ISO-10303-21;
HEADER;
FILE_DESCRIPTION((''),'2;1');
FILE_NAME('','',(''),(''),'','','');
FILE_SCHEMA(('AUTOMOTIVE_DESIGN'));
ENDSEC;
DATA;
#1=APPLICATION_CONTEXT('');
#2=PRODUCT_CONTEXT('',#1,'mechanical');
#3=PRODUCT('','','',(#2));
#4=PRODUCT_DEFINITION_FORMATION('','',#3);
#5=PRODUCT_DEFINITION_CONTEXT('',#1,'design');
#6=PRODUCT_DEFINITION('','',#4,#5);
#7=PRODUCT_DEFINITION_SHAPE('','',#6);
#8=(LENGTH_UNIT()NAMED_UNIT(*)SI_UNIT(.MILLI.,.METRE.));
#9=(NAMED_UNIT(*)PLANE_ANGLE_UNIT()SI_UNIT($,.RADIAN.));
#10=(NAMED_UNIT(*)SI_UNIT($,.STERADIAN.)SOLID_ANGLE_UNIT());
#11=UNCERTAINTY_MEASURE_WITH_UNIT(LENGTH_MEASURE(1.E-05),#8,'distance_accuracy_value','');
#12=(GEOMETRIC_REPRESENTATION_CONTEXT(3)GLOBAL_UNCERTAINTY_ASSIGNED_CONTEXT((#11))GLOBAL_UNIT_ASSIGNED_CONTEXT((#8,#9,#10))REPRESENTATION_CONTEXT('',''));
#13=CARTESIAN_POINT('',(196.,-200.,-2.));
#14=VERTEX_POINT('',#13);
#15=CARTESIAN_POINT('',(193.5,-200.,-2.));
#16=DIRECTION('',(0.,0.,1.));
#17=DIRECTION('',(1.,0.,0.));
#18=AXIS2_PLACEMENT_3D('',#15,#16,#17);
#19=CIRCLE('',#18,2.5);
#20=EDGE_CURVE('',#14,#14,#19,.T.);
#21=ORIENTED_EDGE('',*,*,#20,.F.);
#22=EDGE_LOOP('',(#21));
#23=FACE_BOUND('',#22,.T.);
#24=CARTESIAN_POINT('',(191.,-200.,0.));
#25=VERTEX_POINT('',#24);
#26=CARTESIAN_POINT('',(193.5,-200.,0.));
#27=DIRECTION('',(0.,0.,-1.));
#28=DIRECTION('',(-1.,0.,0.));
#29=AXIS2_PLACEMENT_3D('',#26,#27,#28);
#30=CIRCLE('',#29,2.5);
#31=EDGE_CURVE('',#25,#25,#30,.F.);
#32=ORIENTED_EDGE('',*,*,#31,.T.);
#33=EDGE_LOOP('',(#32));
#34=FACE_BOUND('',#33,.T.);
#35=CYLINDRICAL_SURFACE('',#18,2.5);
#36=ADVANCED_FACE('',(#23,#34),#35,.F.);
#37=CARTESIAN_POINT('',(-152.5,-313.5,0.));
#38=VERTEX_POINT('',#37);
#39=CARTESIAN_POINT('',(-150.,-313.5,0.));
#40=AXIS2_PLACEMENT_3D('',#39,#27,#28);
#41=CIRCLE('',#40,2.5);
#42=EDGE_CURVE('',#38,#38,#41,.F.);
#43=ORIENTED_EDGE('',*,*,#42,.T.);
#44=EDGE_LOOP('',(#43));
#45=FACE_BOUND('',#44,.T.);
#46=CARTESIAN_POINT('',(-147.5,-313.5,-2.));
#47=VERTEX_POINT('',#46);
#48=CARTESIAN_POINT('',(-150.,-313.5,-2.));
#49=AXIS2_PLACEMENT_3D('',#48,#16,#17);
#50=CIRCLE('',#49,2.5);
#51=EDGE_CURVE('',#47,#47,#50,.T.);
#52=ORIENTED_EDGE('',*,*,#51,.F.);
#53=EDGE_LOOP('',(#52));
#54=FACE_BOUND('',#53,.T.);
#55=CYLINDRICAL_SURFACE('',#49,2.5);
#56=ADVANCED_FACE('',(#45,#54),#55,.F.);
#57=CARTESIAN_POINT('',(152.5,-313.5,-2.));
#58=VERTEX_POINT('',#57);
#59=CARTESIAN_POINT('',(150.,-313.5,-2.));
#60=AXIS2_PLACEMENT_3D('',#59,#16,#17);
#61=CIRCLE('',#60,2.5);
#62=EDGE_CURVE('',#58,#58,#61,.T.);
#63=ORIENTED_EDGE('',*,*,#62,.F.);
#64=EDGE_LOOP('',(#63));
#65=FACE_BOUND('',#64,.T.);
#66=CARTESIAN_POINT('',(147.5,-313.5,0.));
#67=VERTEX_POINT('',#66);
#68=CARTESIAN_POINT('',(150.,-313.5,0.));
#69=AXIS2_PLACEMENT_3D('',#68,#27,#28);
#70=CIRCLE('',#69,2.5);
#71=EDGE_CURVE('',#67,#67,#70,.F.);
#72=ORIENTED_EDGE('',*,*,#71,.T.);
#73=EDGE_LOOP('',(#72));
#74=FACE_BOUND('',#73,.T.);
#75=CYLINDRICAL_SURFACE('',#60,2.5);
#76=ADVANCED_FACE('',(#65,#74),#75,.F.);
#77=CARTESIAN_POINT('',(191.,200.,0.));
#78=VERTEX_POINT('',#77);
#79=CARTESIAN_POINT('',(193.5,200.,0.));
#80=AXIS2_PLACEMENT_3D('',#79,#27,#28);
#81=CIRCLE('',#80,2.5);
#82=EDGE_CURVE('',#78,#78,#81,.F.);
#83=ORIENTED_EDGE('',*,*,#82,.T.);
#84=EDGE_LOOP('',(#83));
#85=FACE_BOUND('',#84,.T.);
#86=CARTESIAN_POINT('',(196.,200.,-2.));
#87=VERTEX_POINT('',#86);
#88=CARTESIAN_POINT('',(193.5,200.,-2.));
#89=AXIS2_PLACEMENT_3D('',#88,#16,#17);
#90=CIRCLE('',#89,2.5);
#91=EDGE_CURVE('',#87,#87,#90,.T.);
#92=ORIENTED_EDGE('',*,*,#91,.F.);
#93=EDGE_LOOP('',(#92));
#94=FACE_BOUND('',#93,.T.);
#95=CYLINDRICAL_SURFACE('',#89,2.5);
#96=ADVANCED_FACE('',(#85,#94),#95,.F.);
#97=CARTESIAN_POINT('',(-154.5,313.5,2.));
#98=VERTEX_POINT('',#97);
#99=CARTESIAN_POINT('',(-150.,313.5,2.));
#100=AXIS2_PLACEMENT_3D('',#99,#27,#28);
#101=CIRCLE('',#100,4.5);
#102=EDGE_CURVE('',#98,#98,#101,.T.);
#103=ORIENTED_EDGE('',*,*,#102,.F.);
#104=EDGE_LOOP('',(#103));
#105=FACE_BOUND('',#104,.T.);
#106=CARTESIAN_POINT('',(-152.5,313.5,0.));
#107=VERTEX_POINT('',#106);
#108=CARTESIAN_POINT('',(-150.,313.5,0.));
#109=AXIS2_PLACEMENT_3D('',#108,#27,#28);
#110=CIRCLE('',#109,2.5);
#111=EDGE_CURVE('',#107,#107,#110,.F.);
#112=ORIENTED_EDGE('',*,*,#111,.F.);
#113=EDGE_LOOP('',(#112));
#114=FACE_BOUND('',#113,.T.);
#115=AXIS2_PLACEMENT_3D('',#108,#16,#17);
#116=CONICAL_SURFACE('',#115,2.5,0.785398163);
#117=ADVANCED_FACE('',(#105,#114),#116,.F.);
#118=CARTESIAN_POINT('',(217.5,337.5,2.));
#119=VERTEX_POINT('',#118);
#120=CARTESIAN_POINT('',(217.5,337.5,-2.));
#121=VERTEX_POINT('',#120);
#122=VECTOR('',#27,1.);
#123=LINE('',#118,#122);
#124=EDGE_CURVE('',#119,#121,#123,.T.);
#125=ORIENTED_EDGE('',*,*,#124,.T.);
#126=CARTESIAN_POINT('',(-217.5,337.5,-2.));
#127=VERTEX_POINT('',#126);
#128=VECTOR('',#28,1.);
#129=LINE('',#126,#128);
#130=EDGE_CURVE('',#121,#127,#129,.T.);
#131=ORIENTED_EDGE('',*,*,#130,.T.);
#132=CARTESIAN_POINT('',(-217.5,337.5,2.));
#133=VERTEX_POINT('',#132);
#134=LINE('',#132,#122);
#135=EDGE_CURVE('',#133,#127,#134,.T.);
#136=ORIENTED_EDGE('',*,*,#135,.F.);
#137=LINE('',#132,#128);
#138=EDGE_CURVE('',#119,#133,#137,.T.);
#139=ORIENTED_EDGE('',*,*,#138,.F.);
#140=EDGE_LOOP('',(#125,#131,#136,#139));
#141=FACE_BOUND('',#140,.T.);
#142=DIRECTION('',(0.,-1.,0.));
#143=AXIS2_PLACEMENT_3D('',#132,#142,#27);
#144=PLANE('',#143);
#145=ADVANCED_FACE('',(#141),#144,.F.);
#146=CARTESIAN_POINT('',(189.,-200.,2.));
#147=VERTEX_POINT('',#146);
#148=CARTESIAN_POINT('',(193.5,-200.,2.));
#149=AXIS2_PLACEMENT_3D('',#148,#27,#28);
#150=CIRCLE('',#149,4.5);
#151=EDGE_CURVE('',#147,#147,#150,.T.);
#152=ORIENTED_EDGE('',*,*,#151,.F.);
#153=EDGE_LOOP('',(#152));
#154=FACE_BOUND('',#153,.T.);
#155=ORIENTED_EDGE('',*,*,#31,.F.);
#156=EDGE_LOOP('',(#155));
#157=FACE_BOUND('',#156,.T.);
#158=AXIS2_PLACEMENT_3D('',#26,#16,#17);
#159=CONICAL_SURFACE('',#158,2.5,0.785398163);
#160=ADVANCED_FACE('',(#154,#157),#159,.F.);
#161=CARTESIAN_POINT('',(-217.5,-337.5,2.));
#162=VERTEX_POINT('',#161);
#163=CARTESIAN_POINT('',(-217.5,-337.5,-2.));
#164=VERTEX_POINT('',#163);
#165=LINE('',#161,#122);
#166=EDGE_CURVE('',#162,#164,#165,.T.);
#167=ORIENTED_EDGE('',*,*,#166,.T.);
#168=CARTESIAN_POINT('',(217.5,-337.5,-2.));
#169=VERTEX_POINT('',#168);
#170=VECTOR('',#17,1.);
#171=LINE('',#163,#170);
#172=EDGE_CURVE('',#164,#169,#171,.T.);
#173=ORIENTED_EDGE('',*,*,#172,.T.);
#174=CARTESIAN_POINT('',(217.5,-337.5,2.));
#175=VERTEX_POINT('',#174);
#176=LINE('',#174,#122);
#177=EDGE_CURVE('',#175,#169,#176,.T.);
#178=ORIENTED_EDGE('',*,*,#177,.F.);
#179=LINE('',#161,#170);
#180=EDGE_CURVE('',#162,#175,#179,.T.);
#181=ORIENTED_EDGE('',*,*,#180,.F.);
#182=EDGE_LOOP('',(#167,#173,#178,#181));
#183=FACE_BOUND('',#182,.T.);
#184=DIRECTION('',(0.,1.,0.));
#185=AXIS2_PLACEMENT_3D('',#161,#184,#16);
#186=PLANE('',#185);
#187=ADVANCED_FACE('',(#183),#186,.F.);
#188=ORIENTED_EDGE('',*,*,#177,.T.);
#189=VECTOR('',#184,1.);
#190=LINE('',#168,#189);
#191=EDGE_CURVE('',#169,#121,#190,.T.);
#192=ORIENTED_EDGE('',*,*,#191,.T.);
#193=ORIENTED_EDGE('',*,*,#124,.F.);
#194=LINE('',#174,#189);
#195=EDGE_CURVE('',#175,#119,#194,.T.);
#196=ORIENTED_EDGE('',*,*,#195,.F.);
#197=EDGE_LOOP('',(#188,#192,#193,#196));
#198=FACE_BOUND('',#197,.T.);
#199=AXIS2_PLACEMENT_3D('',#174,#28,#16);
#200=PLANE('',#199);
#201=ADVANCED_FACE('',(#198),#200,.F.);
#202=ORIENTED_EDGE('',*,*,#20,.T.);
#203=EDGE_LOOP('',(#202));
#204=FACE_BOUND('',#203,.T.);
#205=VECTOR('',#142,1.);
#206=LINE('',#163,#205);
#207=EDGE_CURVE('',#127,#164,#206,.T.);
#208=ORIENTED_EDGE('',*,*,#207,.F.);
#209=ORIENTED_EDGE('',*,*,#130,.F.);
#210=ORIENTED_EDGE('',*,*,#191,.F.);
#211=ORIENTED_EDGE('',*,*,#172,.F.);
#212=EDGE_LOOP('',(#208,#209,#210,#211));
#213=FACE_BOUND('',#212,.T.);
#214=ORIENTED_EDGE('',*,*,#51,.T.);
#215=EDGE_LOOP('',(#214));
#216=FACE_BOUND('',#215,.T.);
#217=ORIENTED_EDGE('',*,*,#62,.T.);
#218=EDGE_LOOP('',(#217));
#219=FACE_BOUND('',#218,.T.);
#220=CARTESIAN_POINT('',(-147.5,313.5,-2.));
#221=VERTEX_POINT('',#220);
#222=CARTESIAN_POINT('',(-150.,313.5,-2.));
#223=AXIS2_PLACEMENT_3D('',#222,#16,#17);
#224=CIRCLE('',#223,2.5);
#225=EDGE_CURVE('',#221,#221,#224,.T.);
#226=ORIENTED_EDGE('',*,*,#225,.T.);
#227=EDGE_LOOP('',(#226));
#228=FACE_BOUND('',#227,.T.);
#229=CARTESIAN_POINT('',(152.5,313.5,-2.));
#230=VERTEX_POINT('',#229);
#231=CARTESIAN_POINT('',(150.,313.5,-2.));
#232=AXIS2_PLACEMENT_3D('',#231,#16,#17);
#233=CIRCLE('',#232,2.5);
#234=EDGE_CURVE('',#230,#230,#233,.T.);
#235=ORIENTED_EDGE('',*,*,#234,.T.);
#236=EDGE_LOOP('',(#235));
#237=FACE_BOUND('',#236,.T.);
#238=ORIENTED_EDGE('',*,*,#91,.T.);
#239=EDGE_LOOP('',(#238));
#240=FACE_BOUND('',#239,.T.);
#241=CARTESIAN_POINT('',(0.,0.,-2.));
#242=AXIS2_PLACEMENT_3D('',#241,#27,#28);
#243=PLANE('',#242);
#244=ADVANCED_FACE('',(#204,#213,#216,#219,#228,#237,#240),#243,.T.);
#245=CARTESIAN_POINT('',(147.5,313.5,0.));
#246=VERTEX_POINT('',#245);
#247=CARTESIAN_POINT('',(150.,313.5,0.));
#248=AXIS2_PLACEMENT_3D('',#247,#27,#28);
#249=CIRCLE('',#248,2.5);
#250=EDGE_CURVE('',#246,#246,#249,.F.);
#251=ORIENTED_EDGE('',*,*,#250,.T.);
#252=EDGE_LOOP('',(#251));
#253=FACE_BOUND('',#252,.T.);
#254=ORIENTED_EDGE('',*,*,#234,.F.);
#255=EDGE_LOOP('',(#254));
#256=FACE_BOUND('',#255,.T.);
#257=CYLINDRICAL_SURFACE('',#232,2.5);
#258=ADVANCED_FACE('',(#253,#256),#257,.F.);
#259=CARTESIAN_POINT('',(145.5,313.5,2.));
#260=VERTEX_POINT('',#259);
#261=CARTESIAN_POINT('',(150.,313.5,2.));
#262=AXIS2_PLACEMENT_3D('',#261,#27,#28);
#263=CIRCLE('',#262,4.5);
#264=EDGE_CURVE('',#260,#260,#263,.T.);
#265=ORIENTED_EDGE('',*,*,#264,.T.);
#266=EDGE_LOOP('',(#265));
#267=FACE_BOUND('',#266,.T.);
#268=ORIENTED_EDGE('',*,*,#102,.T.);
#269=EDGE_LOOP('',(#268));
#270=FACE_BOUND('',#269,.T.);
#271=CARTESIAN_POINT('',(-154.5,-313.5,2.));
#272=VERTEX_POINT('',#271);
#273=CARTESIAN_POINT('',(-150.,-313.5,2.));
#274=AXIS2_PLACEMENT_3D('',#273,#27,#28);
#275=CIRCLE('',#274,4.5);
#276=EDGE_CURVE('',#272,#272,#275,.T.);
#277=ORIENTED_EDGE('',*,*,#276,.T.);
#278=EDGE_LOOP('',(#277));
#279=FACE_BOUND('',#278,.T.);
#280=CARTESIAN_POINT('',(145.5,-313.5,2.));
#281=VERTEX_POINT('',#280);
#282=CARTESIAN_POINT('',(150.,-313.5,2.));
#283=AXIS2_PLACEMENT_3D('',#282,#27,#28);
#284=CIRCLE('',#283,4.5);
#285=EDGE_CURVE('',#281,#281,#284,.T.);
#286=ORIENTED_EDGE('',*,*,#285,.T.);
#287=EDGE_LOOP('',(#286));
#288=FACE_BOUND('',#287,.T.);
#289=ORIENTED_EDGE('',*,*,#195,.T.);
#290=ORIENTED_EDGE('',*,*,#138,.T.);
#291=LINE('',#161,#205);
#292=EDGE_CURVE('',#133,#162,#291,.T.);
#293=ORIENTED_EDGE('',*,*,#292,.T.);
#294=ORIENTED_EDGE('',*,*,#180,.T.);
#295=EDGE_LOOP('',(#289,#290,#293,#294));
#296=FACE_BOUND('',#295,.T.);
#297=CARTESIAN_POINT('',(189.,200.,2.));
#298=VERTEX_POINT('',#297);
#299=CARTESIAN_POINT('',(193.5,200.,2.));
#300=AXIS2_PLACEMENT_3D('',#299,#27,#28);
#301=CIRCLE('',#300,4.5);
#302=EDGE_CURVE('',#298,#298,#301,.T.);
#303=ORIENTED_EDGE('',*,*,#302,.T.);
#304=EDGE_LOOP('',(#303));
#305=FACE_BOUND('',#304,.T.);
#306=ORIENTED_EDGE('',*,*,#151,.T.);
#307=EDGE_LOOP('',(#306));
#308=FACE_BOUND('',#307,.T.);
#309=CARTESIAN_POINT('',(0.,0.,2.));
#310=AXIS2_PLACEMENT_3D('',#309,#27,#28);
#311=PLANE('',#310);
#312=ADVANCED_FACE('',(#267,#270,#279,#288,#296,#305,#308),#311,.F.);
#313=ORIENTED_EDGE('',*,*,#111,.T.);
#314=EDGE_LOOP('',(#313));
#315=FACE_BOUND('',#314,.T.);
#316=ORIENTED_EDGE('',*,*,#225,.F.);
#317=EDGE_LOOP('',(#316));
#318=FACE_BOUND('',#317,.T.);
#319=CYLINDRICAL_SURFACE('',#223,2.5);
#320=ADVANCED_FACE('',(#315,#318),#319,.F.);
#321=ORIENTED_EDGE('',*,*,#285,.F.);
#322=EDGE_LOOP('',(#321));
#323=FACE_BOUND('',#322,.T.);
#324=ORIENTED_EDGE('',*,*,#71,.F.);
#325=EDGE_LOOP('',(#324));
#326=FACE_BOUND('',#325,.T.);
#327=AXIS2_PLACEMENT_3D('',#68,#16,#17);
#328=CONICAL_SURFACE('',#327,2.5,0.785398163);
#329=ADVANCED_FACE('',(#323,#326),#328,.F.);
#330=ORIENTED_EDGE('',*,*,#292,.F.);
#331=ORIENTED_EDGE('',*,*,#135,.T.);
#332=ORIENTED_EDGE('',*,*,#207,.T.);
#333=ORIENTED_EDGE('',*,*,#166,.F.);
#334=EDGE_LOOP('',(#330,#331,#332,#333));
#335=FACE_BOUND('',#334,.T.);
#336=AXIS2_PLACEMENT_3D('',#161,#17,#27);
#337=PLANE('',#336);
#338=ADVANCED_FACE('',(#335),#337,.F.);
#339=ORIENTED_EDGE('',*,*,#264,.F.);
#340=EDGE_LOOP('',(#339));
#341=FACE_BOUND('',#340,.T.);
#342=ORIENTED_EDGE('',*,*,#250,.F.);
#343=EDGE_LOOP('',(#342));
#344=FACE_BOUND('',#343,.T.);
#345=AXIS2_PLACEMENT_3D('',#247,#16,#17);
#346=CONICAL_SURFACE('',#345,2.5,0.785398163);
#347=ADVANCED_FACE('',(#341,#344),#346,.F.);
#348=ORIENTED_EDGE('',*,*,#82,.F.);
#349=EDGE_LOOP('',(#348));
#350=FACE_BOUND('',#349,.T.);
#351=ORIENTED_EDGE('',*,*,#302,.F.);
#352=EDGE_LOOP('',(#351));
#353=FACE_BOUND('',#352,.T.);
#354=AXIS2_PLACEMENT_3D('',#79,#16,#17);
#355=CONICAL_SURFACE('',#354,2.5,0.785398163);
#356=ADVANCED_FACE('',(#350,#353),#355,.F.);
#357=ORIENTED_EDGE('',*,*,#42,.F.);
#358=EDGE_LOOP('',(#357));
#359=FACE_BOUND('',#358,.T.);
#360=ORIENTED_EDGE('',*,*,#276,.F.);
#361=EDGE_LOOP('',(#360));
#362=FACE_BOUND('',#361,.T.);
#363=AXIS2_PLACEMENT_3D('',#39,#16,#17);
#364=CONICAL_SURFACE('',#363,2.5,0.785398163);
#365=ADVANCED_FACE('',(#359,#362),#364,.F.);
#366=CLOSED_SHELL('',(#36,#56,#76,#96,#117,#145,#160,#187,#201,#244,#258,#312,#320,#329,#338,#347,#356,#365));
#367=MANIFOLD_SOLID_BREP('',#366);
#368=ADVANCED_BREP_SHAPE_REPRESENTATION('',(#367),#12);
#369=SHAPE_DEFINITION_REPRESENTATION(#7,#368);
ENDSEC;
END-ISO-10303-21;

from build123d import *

# Parameters (mm, degrees)
ESQUISSE1_W             = 435
ESQUISSE1_H             = 675
BOSS_EXTRU_1_DEPTH      = 2
ESQUISSE3_R             = 2.5
ENL_V_MAT_EXTRU_1_DEPTH = 402.532688582
CHANFREIN1_SIZE         = 2


with BuildPart() as part:
    # Esquisse1 → Boss.-Extru.1 (new, symmetric)
    with BuildSketch(Plane.XY):
        Rectangle(ESQUISSE1_W, ESQUISSE1_H)
    extrude(amount=BOSS_EXTRU_1_DEPTH, both=True)

    # Esquisse3 → Enlèv. mat.-Extru.1 (cut, through all)
    with BuildSketch(Plane.XY.offset(2)):
        with Locations((-150, -313.5)):
            Circle(ESQUISSE3_R)
        with Locations((150, -313.5)):
            Circle(ESQUISSE3_R)
        with Locations((193.5, -200)):
            Circle(ESQUISSE3_R)
        with Locations((193.5, 200)):
            Circle(ESQUISSE3_R)
        with Locations((150, 313.5)):
            Circle(ESQUISSE3_R)
        with Locations((-150, 313.5)):
            Circle(ESQUISSE3_R)
    extrude(amount=-ENL_V_MAT_EXTRU_1_DEPTH, mode=Mode.SUBTRACT)

    # Chanfrein1
    chanfrein1_edges = [part.edges().sort_by_distance(p)[0] for p in [
        (-152.5, 313.5, 2),
        (147.5, 313.5, 2),
        (191, 200, 2),
        (191, -200, 2),
        (147.5, -313.5, 2),
        (-152.5, -313.5, 2),
    ]]
    chamfer(chanfrein1_edges, length=CHANFREIN1_SIZE)


solid = part.part
